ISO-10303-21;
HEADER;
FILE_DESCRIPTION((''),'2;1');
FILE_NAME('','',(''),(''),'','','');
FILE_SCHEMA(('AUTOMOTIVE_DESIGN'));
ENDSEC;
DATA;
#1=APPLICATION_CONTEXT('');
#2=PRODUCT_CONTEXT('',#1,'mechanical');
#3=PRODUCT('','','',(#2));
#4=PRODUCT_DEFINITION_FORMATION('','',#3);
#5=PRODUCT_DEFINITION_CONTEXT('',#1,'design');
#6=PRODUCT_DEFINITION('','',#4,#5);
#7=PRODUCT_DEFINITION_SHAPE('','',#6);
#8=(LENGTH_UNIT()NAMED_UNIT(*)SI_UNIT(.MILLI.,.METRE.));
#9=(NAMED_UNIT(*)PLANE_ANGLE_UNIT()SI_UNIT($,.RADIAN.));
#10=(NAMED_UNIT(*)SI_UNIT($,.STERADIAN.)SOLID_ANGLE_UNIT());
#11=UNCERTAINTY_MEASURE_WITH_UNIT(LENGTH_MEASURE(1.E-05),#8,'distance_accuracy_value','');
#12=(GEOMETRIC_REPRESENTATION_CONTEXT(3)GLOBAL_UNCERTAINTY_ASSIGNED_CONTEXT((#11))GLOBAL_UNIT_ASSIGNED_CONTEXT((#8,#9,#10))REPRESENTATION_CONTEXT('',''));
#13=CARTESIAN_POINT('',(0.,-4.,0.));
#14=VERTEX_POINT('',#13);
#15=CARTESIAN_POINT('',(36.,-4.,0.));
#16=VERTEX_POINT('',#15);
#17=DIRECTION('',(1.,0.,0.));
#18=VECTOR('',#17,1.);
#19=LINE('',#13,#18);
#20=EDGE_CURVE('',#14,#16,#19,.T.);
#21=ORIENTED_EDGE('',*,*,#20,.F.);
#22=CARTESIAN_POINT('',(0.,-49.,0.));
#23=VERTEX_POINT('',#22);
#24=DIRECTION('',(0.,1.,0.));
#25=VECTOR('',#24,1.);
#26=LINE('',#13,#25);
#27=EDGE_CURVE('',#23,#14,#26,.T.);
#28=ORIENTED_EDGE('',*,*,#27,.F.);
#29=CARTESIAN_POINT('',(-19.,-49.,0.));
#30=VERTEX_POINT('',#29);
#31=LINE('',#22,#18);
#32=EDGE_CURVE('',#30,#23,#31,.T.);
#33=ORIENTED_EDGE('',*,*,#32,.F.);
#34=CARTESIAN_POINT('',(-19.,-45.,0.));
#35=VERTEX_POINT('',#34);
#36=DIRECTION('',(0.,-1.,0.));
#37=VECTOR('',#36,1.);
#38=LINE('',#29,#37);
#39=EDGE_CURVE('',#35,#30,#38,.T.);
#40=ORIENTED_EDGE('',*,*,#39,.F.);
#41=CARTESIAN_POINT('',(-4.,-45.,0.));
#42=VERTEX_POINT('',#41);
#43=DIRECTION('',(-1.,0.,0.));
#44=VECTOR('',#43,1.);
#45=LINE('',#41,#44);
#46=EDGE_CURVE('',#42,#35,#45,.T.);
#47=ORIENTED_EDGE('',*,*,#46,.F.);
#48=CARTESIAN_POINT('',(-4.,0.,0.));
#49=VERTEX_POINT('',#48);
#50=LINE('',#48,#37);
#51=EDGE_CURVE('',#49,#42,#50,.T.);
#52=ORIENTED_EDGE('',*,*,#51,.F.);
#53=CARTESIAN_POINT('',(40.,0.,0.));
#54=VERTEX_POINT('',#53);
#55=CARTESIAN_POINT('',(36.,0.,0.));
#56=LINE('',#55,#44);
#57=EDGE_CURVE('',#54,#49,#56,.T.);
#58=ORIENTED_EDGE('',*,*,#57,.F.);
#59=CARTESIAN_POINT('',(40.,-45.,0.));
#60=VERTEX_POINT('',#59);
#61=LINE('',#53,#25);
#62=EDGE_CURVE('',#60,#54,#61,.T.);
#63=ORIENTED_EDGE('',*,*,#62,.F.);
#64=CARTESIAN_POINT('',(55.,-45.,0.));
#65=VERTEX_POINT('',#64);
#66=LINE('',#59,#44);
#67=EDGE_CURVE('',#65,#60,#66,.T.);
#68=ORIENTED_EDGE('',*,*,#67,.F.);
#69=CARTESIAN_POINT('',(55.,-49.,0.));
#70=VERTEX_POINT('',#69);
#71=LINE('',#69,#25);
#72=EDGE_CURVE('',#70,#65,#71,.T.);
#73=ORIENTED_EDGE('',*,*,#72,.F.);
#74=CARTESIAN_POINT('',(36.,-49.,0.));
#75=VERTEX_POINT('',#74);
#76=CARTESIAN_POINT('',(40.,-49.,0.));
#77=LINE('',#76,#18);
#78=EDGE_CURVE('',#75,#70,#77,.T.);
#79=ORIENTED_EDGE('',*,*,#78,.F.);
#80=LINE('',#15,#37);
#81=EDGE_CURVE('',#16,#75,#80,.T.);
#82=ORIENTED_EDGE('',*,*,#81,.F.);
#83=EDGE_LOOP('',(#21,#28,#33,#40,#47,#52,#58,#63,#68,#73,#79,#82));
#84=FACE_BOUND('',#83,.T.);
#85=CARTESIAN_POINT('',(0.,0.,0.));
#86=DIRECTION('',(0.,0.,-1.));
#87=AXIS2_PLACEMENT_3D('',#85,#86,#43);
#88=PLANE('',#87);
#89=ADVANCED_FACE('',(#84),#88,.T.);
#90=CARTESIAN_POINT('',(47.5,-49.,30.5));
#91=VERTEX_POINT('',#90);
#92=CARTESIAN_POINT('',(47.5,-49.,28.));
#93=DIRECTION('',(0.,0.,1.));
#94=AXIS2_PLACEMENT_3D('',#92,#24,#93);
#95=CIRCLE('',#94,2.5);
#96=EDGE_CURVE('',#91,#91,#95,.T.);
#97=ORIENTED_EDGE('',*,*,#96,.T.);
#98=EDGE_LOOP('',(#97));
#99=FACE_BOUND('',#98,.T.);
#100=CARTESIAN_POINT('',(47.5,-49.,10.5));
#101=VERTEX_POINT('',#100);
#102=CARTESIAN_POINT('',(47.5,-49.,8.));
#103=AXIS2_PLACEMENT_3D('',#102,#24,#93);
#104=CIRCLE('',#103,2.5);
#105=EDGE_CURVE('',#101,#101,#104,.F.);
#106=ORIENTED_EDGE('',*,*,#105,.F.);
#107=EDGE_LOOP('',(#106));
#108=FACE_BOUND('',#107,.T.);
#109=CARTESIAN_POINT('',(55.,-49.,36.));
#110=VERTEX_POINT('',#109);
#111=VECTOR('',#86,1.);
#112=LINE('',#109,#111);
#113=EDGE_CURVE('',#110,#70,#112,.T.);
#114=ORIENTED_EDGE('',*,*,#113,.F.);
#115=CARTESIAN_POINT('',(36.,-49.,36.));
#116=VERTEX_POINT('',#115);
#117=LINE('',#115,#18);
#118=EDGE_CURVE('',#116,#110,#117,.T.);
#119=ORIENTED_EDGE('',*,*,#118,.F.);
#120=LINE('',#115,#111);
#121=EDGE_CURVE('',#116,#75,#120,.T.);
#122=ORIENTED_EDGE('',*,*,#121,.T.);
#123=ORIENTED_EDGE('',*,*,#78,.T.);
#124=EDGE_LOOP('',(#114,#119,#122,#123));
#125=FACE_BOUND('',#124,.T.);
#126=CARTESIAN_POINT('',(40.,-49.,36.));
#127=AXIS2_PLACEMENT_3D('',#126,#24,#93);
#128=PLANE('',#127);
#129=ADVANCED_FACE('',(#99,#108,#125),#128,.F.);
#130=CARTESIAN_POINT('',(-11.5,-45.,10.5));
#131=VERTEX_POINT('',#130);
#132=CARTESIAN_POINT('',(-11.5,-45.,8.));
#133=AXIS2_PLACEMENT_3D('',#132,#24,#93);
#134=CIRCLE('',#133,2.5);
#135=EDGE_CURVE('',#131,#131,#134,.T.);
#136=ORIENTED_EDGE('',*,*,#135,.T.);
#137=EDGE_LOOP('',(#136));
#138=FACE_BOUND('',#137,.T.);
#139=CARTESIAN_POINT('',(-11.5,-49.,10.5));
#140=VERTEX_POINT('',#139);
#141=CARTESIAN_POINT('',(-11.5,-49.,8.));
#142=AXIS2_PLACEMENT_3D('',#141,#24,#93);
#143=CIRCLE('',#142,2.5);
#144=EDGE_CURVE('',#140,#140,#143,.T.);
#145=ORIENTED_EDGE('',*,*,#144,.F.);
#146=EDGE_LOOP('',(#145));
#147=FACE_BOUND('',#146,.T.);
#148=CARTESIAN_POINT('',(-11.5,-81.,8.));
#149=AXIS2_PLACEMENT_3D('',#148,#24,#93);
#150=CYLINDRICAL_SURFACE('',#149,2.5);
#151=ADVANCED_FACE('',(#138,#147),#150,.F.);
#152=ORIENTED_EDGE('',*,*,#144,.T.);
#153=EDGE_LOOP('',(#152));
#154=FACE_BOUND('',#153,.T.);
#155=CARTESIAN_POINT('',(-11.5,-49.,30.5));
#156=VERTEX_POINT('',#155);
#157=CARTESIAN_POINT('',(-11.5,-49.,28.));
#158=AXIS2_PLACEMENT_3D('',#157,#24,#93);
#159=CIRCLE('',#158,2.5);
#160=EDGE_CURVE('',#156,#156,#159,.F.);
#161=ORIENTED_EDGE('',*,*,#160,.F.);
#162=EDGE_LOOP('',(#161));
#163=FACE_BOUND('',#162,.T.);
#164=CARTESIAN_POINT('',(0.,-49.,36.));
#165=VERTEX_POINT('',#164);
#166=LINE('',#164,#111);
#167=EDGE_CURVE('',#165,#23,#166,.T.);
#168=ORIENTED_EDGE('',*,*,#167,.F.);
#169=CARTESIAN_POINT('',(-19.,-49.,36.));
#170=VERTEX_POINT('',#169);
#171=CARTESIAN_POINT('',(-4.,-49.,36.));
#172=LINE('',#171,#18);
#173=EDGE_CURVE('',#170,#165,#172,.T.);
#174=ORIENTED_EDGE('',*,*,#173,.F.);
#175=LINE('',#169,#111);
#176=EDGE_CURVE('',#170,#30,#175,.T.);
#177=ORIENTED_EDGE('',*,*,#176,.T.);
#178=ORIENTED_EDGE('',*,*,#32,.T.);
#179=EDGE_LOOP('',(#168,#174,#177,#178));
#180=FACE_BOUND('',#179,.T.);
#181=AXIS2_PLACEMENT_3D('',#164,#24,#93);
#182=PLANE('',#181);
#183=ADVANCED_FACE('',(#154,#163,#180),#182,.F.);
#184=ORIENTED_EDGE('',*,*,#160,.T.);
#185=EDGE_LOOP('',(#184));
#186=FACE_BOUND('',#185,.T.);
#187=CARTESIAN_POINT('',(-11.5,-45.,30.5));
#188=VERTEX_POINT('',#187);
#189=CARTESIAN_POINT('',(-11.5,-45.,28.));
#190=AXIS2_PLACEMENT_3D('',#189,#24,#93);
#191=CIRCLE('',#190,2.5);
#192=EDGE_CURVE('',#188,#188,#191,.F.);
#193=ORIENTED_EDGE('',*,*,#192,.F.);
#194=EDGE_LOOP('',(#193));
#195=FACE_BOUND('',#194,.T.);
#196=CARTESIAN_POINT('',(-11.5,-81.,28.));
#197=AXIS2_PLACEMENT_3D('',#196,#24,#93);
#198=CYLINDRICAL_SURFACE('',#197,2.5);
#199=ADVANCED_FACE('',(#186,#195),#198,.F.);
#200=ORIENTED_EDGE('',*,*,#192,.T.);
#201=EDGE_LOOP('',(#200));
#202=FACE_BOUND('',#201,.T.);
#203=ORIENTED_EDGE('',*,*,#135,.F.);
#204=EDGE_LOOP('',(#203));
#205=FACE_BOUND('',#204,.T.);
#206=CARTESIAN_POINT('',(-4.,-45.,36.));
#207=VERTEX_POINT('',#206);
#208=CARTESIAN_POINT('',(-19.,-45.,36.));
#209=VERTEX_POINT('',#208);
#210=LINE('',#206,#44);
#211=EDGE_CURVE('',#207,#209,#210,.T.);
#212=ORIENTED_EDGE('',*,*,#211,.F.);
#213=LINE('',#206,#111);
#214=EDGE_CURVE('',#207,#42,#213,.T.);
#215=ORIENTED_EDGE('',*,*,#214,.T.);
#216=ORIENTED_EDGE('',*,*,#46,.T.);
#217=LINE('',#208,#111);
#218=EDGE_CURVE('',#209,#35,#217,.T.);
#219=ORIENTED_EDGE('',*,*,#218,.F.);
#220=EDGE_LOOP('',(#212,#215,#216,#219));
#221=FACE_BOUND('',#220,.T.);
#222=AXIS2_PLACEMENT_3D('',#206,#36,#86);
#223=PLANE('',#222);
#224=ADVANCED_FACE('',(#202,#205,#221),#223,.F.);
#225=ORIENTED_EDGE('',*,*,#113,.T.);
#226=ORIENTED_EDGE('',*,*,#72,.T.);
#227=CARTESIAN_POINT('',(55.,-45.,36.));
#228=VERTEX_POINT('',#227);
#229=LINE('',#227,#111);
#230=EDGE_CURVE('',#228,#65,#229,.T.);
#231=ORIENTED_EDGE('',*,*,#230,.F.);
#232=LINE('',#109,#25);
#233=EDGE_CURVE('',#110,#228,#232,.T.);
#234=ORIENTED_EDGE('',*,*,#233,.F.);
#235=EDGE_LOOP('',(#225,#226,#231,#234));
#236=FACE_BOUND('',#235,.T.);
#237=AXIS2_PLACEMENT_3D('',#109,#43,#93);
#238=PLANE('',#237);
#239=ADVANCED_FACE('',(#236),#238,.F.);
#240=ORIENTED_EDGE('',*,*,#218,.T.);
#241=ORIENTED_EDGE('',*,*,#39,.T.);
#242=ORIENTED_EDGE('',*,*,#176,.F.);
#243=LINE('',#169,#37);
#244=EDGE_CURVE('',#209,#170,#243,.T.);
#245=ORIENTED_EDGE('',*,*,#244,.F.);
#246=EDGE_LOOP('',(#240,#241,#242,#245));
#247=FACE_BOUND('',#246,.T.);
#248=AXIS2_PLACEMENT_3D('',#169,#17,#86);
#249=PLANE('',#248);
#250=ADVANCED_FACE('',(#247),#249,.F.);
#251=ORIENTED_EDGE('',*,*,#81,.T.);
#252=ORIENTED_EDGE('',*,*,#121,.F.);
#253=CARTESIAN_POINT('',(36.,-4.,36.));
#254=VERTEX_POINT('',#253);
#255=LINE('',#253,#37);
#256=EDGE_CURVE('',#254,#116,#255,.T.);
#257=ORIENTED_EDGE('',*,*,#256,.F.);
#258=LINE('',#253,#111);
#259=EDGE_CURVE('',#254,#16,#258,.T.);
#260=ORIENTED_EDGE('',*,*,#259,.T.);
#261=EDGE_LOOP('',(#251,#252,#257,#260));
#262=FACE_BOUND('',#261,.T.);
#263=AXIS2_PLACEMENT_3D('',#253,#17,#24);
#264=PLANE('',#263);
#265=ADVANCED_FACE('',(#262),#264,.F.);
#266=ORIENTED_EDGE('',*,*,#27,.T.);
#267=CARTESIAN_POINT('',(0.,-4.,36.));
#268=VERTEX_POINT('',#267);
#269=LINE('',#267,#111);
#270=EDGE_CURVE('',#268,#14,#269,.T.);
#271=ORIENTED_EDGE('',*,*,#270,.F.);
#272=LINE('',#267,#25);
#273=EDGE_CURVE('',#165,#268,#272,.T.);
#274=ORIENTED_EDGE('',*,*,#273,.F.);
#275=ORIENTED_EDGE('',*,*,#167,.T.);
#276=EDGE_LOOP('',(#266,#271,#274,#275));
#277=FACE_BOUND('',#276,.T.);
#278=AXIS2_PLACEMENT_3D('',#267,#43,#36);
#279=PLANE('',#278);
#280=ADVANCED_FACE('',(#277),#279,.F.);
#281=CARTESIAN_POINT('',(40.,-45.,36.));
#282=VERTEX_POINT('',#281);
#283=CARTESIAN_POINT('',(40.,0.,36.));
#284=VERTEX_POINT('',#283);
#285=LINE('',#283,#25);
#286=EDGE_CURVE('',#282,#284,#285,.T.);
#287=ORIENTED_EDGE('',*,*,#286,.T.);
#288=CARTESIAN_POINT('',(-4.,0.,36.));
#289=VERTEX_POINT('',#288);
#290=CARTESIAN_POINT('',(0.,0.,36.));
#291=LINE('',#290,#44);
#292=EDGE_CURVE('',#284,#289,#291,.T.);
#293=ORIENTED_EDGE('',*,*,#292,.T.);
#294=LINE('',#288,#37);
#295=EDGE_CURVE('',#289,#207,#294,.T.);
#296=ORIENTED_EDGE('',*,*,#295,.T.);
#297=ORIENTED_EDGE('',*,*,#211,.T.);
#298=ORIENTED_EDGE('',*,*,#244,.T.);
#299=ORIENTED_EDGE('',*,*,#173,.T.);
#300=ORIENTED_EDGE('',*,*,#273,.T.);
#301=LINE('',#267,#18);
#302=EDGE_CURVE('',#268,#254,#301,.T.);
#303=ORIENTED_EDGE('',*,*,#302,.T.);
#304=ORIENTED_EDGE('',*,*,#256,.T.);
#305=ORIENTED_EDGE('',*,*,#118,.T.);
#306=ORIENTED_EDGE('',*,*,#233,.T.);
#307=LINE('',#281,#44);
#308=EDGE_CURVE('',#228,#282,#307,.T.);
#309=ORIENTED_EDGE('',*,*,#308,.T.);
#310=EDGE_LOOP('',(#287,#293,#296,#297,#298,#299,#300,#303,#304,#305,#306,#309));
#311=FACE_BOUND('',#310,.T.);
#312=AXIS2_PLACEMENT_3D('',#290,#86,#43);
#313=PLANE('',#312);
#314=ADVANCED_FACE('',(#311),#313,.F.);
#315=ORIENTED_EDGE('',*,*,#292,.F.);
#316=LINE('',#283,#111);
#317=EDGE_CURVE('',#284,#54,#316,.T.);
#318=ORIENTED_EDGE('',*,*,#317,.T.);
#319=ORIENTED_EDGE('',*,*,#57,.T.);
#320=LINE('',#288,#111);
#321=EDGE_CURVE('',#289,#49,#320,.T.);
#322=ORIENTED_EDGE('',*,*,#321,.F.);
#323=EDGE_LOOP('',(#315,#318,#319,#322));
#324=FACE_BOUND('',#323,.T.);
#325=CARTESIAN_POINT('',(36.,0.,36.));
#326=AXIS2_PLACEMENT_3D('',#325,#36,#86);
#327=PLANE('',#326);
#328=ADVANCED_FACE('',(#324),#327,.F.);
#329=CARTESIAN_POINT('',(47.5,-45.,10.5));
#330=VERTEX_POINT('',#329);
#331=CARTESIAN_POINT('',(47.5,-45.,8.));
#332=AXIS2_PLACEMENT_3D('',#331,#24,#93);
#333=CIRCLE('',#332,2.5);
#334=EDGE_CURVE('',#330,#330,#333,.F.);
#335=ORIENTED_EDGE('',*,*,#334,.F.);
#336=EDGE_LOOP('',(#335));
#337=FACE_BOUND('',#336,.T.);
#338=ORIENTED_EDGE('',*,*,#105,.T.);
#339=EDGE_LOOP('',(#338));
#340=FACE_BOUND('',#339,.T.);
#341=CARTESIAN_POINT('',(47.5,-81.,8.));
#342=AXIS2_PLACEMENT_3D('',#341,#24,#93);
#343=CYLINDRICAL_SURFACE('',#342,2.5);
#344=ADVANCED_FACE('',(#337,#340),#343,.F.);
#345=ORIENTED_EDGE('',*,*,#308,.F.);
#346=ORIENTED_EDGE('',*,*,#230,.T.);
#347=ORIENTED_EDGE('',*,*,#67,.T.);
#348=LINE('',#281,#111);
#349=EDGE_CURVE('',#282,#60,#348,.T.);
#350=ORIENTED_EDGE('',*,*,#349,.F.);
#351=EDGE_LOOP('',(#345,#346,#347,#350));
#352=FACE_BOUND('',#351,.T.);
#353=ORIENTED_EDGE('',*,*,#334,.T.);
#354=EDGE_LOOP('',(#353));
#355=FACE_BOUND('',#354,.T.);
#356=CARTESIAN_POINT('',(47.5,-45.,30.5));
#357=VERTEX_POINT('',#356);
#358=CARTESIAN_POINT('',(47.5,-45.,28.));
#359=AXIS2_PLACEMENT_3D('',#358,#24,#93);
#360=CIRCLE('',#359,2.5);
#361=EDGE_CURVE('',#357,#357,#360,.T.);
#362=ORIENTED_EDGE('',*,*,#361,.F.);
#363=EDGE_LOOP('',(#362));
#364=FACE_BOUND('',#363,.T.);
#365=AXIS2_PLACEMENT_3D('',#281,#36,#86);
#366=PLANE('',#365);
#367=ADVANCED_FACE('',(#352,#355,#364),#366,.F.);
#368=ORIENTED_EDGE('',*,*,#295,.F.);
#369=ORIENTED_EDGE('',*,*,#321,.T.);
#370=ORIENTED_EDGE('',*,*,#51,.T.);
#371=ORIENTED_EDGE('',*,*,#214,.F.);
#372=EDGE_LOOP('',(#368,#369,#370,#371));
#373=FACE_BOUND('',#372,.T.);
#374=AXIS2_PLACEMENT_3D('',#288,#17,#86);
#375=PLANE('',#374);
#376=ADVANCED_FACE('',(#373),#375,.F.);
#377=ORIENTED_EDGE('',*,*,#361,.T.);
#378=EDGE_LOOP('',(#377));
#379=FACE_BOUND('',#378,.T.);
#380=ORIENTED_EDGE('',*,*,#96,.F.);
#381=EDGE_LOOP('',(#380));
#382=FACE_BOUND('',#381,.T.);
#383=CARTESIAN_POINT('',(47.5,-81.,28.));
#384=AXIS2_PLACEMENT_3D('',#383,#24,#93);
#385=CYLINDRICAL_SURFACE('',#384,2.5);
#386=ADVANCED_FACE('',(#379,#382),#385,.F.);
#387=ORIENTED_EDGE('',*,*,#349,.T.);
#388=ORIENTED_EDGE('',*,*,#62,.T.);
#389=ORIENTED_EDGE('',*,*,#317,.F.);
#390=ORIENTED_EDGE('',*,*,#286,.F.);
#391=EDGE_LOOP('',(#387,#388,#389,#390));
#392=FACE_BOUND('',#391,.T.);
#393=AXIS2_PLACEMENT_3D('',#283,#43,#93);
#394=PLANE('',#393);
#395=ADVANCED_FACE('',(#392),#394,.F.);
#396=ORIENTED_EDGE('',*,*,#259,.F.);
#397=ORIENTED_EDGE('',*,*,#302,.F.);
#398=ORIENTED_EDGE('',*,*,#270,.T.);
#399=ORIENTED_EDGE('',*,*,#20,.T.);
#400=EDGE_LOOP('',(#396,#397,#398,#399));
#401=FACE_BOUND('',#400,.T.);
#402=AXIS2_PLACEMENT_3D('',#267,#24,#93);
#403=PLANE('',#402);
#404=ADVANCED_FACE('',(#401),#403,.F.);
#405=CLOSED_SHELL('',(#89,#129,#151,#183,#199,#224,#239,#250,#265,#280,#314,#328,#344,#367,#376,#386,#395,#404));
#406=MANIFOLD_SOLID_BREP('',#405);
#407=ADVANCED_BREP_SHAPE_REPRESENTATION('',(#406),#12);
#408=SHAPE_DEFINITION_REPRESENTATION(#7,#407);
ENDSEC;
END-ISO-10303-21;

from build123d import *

# Parameters (mm, degrees)
EXTRUDE_1_DEPTH     = 36
SKETCH_2_R          = 2.5
CUT_EXTRUDE_1_DEPTH = 36


with BuildPart() as part:
    # 草图1 → 凸台-拉伸1 (new body)
    with BuildSketch(Plane.XY):
        Polygon((-4, 0), (0, 0), (36, 0), (40, 0), (40, -45), (55, -45), (55, -49), (40, -49), (36, -49), (36, -4), (0, -4), (0, -49), (-4, -49), (-19, -49), (-19, -45), (-4, -45), align=None)
    extrude(amount=EXTRUDE_1_DEPTH)

    # 草图2 → 切除-拉伸1 (cut)
    with BuildSketch(Plane(origin=(0, -45, 0), x_dir=(1, 0, 0), z_dir=(0, 1, 0))):
        with Locations(Location((-11.5, -8, 0), (0, 0, 270))):
            Circle(SKETCH_2_R)
        with Locations(Location((-11.5, -28, 0), (0, 0, 270))):
            Circle(SKETCH_2_R)
        with Locations(Location((47.5, -28, 0), (0, 0, 270))):
            Circle(SKETCH_2_R)
        with Locations(Location((47.5, -8, 0), (0, 0, 270))):
            Circle(SKETCH_2_R)
    extrude(amount=-CUT_EXTRUDE_1_DEPTH, mode=Mode.SUBTRACT)


solid = part.part
